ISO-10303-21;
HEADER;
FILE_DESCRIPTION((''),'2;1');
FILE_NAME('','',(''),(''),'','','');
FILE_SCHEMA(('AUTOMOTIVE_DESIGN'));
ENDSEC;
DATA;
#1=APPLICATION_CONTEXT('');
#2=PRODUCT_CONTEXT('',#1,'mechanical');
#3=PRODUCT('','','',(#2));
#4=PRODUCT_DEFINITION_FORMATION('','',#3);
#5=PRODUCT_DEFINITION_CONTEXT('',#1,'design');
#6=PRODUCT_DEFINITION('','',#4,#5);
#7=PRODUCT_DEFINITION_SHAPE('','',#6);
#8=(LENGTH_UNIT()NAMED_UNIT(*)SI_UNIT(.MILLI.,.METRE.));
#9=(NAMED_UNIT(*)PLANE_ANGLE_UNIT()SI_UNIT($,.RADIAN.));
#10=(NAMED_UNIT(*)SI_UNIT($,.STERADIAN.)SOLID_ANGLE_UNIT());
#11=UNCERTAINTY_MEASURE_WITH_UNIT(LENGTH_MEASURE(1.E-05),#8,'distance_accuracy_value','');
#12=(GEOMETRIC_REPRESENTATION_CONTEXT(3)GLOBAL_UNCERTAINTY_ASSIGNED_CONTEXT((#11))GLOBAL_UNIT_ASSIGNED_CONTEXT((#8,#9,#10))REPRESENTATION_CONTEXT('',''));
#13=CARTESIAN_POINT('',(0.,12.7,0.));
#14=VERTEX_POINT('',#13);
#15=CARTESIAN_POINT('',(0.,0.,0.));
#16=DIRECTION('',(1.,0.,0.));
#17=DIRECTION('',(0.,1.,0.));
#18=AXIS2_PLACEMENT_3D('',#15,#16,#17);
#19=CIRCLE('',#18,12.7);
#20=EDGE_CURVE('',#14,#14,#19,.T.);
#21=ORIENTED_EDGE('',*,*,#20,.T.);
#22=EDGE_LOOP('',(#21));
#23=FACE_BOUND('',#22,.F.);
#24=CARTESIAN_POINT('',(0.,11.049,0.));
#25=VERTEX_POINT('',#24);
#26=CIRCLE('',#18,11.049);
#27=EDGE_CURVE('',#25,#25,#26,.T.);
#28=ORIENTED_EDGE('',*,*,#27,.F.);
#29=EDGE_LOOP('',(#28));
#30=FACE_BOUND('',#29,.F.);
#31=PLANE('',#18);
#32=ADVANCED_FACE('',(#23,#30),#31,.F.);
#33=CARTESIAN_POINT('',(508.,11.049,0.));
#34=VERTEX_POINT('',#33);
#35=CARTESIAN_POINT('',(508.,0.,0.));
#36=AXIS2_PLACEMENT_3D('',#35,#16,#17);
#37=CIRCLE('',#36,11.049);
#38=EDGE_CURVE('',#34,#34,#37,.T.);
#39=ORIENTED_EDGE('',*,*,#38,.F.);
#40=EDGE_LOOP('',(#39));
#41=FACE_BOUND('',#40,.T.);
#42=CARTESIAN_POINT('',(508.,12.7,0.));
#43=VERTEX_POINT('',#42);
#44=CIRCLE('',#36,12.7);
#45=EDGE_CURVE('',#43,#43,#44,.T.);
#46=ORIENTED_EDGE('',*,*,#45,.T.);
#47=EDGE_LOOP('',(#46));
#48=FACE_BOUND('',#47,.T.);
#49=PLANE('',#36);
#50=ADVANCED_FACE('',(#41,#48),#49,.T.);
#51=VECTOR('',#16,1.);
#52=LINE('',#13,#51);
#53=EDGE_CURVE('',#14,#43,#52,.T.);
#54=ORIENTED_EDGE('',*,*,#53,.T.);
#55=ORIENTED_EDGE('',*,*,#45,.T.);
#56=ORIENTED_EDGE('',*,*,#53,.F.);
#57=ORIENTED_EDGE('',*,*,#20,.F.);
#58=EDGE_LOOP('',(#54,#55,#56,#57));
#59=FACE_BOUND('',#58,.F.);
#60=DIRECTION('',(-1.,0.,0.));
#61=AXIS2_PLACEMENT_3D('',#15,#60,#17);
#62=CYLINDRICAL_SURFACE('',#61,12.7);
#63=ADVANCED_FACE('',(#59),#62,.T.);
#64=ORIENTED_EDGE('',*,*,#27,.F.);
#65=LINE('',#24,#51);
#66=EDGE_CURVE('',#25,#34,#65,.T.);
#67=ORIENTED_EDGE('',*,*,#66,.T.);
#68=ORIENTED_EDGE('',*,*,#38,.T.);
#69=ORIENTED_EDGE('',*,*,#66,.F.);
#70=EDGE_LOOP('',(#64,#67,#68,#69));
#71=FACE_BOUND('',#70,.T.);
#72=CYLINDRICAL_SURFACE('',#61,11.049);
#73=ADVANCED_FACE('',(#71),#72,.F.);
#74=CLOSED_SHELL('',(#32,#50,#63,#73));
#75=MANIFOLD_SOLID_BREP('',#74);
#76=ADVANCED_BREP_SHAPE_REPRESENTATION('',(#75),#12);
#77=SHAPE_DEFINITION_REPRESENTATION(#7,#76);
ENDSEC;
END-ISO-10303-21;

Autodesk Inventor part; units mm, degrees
ref_plane "XZ Plane" through (0, 0, 0) normal (0, 1, 0) x (-1, 0, 0)
ref_plane "Start Plane" through (0, 0, 0) normal (1, 0, 0) x (0, 1, 0)
ref_plane "End Plane" through (508, 0, 0) normal (1, 0, 0) x (0, 1, 0)
sketch "Sketch" plane through (0, 0, 0) normal (1, 0, 0) x (0, 1, 0)
  circle A0 centre (0, 0) radius 12.7
  circle A1 centre (0, 0) radius 11.049
  dimension "d0" = 25.4
  dimension "d1" = 1.651
extrude "Body" add sketch "Sketch" along normal up to surface (508 mm away) from surface at 0
sketch "Sketch2" plane through (0, 0, 0) normal (1, 0, 0) x (0, 1, 0)
  line L0 (0, 0) -> (10, 0)
ref_plane "Work Plane3" through (0, 0, 0) normal (0, 0, -1) x (0, 1, 0)
sketch "Sketch3" plane through (0, 0, 0) normal (0, 0, -1) x (0, 1, 0)
  line L0 (-2, 0) -> (12, 0)
  line L1 (-2, 508) -> (12, 508)
  dimension "d9" = 508
equation "\"G_OFFSET_START\" = 0"
equation "\"G_OFFSET_END\" = 0"
equation "\"d5\" = d2 + G_OFFSET_END"
equation "\"G_L\" = d9"
equation "\"d2\" = 508"
properties part number "4130_1x0.065" material "Steel, Alloy"
